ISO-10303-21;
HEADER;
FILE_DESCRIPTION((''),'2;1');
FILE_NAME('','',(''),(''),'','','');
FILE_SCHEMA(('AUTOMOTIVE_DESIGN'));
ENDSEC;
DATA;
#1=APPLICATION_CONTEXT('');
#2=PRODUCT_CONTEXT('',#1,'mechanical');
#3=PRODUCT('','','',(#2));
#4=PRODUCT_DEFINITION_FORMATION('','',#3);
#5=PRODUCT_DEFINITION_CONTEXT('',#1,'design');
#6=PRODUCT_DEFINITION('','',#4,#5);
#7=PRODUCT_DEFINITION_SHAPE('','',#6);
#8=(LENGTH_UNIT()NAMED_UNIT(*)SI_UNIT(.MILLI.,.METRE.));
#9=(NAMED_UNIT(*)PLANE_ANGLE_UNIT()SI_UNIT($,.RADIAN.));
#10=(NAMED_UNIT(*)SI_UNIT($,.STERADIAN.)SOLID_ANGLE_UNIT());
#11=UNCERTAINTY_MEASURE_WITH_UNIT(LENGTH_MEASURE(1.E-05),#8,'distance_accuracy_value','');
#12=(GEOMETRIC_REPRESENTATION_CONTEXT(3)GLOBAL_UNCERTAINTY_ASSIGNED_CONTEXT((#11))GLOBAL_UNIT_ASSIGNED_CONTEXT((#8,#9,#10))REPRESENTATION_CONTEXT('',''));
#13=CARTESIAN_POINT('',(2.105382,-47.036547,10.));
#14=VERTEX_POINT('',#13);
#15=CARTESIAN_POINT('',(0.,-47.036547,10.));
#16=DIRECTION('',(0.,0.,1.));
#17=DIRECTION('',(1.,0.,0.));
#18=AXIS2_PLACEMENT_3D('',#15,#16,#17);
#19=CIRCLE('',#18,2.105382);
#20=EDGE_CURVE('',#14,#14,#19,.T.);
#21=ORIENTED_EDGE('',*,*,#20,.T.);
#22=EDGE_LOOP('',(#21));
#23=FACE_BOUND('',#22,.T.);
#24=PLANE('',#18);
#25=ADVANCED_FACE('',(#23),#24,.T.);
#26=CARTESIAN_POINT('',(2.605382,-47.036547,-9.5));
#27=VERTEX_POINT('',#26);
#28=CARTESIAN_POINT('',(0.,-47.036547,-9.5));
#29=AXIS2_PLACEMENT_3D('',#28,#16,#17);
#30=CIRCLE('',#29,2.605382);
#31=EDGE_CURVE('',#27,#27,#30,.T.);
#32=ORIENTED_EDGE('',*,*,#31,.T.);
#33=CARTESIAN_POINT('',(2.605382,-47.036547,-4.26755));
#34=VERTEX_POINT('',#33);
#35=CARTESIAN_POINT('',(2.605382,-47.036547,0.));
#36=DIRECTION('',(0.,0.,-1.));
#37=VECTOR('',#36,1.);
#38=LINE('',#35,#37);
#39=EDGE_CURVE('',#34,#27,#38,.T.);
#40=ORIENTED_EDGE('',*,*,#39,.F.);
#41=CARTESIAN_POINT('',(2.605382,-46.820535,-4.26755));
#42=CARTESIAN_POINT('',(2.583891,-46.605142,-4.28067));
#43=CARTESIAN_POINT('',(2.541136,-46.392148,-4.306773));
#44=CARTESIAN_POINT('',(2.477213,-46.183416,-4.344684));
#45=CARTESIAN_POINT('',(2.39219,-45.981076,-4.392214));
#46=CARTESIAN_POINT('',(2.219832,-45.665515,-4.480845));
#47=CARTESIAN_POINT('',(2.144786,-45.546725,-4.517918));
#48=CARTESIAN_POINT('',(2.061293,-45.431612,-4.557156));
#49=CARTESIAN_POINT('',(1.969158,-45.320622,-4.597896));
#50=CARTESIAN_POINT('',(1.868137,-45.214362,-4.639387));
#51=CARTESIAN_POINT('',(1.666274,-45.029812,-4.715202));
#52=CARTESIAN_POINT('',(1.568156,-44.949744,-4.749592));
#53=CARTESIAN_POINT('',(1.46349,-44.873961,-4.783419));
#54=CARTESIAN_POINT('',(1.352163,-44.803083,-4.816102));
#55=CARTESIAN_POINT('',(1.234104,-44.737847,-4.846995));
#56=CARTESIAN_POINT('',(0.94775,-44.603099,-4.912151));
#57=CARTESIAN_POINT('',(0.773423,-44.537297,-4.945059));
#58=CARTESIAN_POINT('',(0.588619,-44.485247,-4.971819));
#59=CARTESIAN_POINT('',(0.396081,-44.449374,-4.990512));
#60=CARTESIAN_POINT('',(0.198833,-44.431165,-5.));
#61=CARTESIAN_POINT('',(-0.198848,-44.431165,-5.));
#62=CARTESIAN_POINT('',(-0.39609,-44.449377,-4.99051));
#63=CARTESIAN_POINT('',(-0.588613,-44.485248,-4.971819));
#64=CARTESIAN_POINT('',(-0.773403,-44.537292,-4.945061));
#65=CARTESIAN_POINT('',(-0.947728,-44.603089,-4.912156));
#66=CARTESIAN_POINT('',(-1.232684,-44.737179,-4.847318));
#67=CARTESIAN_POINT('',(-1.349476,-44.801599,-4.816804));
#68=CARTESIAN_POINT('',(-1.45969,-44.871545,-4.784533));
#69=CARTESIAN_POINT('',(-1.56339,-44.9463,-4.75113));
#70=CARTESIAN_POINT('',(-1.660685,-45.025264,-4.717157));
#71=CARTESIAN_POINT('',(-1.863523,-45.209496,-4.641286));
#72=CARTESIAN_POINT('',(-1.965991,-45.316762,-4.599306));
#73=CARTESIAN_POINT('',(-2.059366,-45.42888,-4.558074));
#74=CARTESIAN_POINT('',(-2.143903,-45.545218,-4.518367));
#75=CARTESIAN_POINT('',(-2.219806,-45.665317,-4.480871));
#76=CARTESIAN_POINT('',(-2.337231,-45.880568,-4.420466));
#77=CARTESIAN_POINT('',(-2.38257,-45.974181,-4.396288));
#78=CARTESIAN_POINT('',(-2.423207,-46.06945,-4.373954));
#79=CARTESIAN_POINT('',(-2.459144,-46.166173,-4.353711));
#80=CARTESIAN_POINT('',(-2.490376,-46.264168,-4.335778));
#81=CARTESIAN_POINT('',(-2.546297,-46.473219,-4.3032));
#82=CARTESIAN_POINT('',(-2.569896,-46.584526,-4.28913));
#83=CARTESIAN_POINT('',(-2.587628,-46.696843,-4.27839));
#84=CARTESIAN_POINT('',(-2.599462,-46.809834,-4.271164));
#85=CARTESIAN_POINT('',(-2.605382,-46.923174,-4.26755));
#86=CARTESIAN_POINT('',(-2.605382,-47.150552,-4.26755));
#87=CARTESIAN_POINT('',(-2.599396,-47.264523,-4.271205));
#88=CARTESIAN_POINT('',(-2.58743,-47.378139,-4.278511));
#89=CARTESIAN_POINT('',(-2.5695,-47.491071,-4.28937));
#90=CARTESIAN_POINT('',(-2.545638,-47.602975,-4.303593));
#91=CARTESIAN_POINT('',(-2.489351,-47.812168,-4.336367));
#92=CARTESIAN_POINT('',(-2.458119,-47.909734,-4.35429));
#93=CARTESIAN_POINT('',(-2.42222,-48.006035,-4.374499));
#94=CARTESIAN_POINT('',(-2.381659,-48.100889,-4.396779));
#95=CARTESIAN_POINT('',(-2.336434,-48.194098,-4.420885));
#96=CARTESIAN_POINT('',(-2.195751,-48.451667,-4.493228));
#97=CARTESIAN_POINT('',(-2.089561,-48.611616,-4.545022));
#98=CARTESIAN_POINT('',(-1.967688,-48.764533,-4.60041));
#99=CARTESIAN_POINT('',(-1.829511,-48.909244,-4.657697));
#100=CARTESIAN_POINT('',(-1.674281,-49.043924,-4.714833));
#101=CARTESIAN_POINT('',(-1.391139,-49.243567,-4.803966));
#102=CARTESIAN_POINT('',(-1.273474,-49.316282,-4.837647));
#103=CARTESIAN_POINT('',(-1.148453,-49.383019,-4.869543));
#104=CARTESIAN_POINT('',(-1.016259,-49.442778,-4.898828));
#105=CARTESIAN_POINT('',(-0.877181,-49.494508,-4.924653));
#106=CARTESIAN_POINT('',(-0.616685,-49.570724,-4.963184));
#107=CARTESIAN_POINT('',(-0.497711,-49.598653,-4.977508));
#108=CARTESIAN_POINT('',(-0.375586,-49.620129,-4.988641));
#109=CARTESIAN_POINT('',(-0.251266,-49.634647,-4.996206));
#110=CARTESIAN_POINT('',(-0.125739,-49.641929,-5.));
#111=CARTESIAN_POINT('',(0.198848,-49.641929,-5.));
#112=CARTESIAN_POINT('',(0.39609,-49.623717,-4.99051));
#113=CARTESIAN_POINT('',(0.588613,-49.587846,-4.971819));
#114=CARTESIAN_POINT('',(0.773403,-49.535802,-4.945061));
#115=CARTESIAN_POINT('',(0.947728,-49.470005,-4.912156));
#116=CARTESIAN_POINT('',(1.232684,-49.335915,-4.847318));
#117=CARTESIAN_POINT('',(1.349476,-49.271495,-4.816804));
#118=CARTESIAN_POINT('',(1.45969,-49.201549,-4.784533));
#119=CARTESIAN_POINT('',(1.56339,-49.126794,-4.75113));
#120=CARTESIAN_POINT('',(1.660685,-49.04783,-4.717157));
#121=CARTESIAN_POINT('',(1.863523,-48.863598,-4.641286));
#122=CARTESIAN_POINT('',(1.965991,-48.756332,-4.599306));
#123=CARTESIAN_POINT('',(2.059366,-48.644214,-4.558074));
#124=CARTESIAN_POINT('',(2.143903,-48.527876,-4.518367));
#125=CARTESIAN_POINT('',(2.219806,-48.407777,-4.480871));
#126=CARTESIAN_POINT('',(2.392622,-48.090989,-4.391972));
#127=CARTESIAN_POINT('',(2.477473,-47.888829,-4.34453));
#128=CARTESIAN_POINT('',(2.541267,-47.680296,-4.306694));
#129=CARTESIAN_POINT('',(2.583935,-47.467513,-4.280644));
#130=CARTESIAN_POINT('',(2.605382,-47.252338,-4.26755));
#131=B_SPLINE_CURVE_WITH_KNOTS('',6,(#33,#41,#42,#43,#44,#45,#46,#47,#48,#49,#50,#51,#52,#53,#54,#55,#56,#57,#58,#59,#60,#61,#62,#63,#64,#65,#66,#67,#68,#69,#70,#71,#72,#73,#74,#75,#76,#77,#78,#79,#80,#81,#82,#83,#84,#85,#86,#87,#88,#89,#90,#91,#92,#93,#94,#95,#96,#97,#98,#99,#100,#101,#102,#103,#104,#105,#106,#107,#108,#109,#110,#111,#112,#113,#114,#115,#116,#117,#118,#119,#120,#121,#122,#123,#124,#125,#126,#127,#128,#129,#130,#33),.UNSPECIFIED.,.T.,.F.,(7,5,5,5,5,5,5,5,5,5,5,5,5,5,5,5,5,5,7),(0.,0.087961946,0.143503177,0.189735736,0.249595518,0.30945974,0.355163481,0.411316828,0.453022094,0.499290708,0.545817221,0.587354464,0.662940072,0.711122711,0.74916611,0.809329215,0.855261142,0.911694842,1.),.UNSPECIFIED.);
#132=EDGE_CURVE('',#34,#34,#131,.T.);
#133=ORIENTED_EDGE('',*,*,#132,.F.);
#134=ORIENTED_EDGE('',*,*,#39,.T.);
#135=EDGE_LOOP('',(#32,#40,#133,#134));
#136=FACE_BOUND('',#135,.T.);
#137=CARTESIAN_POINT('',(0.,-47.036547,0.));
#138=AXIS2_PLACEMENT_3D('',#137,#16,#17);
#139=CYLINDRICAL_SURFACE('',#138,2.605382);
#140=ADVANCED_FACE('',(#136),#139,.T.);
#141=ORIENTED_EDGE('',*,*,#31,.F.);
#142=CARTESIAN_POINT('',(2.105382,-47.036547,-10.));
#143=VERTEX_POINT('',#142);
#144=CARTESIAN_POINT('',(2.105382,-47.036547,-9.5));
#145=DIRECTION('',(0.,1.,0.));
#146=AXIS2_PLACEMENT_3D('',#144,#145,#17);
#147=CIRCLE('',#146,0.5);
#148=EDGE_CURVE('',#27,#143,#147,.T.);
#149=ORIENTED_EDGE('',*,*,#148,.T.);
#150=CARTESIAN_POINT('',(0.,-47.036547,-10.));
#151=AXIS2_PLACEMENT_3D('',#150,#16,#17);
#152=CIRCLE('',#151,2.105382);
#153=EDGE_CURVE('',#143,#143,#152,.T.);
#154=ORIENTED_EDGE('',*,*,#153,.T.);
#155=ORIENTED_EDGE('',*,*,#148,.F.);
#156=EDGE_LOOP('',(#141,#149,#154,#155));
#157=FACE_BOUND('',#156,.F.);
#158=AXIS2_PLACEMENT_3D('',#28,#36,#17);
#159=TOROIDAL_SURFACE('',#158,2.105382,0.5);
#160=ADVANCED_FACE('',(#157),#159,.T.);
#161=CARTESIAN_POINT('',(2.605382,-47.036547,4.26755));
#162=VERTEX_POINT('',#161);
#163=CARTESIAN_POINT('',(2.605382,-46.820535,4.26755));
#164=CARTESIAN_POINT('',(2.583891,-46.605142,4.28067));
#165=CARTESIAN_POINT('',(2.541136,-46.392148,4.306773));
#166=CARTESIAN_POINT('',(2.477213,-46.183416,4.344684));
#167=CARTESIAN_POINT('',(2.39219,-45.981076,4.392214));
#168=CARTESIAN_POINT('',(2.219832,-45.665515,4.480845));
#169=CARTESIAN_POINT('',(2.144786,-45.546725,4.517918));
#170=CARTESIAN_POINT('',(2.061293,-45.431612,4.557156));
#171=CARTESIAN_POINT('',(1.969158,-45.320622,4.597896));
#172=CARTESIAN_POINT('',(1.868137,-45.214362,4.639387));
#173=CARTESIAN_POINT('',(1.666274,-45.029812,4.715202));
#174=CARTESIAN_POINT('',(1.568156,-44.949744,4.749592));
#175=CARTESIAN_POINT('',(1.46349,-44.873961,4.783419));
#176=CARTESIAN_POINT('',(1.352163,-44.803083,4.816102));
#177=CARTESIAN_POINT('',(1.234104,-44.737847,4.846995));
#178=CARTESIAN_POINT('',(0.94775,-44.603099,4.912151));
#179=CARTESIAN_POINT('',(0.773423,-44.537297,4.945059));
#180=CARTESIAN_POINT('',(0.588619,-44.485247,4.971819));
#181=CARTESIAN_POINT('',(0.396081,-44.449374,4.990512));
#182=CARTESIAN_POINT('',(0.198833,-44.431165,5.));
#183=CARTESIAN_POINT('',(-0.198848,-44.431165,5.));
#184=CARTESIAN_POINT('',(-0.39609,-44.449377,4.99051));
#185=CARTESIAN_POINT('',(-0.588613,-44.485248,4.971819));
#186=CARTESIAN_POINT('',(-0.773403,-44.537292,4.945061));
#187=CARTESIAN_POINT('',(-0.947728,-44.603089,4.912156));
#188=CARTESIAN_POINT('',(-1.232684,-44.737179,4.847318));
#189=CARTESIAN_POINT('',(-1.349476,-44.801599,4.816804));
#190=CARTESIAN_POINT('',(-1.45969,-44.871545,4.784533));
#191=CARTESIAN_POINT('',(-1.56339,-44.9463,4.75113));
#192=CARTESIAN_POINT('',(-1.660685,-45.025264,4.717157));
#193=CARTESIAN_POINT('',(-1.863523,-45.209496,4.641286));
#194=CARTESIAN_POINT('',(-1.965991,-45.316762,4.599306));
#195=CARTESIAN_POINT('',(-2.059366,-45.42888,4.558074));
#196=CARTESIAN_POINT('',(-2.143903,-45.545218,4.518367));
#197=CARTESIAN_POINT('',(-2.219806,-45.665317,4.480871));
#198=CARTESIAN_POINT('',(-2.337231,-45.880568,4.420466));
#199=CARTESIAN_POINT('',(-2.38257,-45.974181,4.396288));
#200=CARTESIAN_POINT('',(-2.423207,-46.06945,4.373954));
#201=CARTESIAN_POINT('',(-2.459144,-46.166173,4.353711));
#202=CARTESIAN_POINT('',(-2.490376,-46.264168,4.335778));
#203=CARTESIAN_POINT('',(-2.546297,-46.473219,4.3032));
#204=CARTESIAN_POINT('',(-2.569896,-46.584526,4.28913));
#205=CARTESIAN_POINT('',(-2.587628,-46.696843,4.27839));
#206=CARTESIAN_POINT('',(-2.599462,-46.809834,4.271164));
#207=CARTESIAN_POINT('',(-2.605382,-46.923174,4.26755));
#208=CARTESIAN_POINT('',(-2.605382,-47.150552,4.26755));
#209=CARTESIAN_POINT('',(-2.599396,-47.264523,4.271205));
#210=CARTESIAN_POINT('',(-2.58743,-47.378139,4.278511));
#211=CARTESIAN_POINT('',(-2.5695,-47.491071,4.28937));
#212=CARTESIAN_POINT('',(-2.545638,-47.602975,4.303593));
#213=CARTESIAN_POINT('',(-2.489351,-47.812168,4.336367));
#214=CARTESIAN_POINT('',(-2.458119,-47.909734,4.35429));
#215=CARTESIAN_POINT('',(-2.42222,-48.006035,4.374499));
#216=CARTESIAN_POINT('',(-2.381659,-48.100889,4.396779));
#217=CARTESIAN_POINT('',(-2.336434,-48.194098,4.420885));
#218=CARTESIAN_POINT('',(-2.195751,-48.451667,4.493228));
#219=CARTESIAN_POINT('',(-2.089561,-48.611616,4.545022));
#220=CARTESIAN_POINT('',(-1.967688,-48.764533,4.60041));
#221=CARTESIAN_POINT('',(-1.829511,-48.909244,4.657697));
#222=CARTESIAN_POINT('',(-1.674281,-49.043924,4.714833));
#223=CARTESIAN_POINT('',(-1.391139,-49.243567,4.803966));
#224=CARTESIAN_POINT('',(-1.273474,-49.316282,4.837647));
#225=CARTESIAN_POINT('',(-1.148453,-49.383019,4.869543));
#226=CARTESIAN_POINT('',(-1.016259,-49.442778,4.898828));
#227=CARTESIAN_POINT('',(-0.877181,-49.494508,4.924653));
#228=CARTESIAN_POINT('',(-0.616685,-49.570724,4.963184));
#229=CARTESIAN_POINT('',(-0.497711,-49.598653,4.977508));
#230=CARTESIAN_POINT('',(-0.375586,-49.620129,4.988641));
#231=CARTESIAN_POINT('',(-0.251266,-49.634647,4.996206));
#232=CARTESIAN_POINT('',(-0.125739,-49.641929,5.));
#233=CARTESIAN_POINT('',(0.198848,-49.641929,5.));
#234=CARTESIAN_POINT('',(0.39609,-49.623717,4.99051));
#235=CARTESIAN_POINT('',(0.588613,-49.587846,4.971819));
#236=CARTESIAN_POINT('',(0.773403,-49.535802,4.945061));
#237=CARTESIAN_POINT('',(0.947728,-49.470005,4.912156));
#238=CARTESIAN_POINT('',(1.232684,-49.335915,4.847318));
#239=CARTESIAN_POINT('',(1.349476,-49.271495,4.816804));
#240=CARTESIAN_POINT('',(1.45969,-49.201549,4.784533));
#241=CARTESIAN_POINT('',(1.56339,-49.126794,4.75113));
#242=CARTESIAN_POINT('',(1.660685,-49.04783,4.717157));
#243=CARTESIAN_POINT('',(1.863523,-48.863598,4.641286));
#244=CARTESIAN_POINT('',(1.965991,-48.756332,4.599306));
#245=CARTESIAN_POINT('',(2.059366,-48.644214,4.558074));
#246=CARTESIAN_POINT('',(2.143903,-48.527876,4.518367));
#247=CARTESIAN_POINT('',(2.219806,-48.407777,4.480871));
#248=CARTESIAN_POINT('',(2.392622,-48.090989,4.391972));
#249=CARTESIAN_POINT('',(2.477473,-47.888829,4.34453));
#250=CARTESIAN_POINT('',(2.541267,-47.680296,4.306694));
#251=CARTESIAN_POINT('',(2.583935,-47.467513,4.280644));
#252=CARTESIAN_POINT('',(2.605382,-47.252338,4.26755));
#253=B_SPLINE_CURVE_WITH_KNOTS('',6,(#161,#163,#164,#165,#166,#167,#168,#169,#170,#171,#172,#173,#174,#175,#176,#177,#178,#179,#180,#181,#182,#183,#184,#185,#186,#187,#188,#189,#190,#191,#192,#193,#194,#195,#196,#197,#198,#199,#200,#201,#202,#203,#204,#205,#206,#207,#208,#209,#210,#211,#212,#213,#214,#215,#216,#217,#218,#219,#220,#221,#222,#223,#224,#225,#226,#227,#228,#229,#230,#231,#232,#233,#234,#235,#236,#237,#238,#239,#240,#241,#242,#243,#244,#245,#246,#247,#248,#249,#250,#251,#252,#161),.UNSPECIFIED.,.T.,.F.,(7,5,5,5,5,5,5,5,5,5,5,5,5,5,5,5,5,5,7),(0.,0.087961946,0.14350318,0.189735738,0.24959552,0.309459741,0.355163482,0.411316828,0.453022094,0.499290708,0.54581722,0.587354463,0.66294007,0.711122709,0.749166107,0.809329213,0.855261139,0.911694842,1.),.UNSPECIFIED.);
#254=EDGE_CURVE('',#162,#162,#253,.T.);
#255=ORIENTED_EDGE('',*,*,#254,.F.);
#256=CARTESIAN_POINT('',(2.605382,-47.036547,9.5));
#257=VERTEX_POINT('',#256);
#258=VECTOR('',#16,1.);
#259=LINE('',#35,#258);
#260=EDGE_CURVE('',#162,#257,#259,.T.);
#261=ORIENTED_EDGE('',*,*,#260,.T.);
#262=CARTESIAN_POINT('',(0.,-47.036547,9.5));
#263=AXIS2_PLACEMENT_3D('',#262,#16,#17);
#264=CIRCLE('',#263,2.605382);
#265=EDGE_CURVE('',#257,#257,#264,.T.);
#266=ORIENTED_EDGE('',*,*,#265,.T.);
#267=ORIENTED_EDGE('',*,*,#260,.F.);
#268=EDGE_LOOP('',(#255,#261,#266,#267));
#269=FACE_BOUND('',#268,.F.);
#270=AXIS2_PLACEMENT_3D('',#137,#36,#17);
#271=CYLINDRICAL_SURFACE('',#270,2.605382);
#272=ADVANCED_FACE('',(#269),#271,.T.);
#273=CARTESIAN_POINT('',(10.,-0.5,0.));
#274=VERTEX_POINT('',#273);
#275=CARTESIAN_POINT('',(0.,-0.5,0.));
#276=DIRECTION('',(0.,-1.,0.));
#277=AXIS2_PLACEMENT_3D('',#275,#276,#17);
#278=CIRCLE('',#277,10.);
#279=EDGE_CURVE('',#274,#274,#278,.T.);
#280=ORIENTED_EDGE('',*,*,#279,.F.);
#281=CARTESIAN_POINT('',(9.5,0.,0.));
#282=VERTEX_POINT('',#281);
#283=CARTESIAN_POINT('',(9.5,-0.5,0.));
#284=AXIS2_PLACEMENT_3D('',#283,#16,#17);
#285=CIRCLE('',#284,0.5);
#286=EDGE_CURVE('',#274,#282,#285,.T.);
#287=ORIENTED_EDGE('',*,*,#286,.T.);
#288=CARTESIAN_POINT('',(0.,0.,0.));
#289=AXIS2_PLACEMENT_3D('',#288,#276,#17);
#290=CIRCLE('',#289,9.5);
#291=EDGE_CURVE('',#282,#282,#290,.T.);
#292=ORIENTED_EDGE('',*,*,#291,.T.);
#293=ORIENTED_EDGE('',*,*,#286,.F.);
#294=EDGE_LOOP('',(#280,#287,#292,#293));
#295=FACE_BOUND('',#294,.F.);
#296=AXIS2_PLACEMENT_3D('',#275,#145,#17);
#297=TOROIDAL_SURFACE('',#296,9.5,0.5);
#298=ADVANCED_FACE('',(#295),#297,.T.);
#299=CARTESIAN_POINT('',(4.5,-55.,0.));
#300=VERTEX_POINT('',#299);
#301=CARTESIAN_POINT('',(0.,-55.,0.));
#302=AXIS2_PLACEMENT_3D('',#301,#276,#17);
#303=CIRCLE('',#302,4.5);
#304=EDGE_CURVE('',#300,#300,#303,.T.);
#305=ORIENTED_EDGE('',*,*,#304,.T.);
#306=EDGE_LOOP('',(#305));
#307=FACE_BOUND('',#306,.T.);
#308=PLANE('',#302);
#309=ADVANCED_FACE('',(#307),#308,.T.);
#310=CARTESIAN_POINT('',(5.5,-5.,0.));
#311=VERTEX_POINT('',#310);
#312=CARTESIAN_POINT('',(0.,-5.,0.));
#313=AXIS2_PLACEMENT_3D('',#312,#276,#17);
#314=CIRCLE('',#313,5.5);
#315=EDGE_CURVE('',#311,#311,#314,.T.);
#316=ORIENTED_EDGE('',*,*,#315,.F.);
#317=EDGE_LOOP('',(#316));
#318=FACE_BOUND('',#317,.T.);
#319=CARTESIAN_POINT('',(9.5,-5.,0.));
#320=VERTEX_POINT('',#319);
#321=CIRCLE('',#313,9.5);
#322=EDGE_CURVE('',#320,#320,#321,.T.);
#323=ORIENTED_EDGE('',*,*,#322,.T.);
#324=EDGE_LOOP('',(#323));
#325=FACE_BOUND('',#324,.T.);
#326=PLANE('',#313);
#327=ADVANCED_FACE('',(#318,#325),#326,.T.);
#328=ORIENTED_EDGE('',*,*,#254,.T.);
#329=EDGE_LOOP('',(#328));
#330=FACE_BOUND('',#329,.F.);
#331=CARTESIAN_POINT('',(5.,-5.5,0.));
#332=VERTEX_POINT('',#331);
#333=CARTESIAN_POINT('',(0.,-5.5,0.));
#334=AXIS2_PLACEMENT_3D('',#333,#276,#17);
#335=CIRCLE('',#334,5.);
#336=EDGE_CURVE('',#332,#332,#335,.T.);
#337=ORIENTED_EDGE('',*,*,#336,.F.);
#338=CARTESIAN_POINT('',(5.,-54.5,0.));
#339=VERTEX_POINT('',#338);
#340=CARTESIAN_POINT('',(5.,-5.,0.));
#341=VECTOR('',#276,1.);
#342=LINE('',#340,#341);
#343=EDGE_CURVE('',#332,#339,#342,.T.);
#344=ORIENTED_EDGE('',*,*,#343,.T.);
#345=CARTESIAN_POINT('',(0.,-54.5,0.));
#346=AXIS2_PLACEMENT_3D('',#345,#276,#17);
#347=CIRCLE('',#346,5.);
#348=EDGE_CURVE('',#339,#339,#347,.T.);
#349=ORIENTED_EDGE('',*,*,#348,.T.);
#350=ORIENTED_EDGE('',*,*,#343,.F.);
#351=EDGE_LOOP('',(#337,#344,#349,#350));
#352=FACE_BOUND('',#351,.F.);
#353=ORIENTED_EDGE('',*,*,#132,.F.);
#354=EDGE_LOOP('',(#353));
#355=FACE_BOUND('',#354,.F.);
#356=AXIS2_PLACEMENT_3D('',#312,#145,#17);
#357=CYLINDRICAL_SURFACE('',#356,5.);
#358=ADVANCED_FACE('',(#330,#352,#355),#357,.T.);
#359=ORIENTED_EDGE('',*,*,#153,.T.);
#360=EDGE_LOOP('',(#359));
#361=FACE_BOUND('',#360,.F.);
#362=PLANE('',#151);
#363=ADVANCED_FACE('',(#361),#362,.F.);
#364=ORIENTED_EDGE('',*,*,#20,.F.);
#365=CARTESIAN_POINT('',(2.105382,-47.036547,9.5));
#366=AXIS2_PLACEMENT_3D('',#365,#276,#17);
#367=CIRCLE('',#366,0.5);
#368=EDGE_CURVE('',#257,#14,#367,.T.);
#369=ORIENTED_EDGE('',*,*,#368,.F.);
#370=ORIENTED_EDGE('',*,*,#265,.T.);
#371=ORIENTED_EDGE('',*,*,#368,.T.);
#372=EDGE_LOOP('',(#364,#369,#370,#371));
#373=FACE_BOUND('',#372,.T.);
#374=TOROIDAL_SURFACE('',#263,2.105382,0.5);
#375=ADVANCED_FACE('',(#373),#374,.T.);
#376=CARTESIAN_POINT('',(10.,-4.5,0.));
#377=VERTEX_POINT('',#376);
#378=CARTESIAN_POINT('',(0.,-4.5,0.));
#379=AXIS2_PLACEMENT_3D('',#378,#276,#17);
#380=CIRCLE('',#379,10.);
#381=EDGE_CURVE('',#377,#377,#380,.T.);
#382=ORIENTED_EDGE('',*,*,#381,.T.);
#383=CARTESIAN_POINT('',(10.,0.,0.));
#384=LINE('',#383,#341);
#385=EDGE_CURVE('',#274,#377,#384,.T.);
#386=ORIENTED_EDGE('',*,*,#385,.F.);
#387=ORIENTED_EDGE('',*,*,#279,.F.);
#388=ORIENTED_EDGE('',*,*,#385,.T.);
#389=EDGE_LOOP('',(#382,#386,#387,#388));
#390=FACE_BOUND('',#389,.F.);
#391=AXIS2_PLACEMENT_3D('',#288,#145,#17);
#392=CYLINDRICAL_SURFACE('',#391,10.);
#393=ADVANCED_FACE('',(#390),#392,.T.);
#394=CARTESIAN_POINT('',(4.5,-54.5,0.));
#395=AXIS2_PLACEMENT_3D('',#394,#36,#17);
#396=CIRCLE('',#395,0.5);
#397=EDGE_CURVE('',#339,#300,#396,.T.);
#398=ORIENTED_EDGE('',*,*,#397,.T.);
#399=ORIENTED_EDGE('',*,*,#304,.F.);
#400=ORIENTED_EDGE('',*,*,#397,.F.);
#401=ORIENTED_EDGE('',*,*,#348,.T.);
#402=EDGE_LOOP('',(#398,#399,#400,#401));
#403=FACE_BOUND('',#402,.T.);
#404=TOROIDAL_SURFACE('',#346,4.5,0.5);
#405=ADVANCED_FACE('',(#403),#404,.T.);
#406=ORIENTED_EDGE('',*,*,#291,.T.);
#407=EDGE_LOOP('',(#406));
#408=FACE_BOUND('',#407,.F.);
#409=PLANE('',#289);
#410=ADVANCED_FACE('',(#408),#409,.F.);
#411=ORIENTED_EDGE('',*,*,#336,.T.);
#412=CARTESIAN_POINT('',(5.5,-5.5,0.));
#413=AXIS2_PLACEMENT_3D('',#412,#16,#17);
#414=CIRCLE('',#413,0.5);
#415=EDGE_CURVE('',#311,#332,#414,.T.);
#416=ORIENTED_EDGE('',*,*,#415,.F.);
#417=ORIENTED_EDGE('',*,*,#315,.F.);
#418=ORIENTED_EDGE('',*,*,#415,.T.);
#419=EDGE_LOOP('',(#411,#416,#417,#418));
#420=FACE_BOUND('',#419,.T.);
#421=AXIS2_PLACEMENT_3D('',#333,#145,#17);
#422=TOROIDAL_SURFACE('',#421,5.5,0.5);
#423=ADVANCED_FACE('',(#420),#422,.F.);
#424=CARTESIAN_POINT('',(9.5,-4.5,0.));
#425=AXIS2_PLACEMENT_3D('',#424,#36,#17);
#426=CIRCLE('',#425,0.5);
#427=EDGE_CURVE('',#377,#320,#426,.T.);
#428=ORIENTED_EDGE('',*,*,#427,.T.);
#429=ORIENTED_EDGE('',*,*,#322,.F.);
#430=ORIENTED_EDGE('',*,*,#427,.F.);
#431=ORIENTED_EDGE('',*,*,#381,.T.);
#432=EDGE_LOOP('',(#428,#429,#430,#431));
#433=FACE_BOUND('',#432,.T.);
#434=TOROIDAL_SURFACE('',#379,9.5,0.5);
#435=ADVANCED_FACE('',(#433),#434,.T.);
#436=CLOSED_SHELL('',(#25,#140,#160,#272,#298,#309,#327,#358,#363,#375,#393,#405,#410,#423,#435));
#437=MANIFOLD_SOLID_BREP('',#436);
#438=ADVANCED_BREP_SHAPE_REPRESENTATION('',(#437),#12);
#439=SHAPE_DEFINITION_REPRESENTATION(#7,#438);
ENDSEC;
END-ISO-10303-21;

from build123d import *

# Parameters (mm, degrees)
F0_R          = 10
F1_DEPTH      = 5
F2_R          = 5
F3_DEPTH      = 50
F4_R          = 0.5
F5_R          = 2.605382
F6_DEPTH      = 10
F6_DEPTH_BACK = 10
F7_R          = 0.5


with BuildPart() as f1:
    # F0 (on Front) → F1 (new body)
    with BuildSketch(Plane.XZ):
        Circle(F0_R)
    extrude(amount=F1_DEPTH)

    # F2 (on face) → F3 (join)
    with BuildSketch(Plane.XZ.offset(5)):
        Circle(F2_R)
    extrude(amount=F3_DEPTH)

    # F4
    f4_edges = [f1.edges().sort_by_distance(p)[0] for p in [
        (-10, -5, 0),
        (-10, 0, 0),
        (-5, -5, 0),
        (-5, -55, 0),
    ]]
    fillet(f4_edges, radius=F4_R)

    # F5 (on Top) → F6 (join, two sides)
    with BuildSketch(Plane.XY) as f6_sk:
        with Locations((0, -47.036547)):
            Circle(F5_R)
    extrude(amount=F6_DEPTH)
    extrude(f6_sk.sketch, amount=-F6_DEPTH_BACK)

    # F7
    f7_edges = [f1.edges().sort_by_distance(p)[0] for p in [
        (-2.605382, -47.036547, 10),
        (-2.605382, -47.036547, -10),
    ]]
    fillet(f7_edges, radius=F7_R)


solid = f1.part
